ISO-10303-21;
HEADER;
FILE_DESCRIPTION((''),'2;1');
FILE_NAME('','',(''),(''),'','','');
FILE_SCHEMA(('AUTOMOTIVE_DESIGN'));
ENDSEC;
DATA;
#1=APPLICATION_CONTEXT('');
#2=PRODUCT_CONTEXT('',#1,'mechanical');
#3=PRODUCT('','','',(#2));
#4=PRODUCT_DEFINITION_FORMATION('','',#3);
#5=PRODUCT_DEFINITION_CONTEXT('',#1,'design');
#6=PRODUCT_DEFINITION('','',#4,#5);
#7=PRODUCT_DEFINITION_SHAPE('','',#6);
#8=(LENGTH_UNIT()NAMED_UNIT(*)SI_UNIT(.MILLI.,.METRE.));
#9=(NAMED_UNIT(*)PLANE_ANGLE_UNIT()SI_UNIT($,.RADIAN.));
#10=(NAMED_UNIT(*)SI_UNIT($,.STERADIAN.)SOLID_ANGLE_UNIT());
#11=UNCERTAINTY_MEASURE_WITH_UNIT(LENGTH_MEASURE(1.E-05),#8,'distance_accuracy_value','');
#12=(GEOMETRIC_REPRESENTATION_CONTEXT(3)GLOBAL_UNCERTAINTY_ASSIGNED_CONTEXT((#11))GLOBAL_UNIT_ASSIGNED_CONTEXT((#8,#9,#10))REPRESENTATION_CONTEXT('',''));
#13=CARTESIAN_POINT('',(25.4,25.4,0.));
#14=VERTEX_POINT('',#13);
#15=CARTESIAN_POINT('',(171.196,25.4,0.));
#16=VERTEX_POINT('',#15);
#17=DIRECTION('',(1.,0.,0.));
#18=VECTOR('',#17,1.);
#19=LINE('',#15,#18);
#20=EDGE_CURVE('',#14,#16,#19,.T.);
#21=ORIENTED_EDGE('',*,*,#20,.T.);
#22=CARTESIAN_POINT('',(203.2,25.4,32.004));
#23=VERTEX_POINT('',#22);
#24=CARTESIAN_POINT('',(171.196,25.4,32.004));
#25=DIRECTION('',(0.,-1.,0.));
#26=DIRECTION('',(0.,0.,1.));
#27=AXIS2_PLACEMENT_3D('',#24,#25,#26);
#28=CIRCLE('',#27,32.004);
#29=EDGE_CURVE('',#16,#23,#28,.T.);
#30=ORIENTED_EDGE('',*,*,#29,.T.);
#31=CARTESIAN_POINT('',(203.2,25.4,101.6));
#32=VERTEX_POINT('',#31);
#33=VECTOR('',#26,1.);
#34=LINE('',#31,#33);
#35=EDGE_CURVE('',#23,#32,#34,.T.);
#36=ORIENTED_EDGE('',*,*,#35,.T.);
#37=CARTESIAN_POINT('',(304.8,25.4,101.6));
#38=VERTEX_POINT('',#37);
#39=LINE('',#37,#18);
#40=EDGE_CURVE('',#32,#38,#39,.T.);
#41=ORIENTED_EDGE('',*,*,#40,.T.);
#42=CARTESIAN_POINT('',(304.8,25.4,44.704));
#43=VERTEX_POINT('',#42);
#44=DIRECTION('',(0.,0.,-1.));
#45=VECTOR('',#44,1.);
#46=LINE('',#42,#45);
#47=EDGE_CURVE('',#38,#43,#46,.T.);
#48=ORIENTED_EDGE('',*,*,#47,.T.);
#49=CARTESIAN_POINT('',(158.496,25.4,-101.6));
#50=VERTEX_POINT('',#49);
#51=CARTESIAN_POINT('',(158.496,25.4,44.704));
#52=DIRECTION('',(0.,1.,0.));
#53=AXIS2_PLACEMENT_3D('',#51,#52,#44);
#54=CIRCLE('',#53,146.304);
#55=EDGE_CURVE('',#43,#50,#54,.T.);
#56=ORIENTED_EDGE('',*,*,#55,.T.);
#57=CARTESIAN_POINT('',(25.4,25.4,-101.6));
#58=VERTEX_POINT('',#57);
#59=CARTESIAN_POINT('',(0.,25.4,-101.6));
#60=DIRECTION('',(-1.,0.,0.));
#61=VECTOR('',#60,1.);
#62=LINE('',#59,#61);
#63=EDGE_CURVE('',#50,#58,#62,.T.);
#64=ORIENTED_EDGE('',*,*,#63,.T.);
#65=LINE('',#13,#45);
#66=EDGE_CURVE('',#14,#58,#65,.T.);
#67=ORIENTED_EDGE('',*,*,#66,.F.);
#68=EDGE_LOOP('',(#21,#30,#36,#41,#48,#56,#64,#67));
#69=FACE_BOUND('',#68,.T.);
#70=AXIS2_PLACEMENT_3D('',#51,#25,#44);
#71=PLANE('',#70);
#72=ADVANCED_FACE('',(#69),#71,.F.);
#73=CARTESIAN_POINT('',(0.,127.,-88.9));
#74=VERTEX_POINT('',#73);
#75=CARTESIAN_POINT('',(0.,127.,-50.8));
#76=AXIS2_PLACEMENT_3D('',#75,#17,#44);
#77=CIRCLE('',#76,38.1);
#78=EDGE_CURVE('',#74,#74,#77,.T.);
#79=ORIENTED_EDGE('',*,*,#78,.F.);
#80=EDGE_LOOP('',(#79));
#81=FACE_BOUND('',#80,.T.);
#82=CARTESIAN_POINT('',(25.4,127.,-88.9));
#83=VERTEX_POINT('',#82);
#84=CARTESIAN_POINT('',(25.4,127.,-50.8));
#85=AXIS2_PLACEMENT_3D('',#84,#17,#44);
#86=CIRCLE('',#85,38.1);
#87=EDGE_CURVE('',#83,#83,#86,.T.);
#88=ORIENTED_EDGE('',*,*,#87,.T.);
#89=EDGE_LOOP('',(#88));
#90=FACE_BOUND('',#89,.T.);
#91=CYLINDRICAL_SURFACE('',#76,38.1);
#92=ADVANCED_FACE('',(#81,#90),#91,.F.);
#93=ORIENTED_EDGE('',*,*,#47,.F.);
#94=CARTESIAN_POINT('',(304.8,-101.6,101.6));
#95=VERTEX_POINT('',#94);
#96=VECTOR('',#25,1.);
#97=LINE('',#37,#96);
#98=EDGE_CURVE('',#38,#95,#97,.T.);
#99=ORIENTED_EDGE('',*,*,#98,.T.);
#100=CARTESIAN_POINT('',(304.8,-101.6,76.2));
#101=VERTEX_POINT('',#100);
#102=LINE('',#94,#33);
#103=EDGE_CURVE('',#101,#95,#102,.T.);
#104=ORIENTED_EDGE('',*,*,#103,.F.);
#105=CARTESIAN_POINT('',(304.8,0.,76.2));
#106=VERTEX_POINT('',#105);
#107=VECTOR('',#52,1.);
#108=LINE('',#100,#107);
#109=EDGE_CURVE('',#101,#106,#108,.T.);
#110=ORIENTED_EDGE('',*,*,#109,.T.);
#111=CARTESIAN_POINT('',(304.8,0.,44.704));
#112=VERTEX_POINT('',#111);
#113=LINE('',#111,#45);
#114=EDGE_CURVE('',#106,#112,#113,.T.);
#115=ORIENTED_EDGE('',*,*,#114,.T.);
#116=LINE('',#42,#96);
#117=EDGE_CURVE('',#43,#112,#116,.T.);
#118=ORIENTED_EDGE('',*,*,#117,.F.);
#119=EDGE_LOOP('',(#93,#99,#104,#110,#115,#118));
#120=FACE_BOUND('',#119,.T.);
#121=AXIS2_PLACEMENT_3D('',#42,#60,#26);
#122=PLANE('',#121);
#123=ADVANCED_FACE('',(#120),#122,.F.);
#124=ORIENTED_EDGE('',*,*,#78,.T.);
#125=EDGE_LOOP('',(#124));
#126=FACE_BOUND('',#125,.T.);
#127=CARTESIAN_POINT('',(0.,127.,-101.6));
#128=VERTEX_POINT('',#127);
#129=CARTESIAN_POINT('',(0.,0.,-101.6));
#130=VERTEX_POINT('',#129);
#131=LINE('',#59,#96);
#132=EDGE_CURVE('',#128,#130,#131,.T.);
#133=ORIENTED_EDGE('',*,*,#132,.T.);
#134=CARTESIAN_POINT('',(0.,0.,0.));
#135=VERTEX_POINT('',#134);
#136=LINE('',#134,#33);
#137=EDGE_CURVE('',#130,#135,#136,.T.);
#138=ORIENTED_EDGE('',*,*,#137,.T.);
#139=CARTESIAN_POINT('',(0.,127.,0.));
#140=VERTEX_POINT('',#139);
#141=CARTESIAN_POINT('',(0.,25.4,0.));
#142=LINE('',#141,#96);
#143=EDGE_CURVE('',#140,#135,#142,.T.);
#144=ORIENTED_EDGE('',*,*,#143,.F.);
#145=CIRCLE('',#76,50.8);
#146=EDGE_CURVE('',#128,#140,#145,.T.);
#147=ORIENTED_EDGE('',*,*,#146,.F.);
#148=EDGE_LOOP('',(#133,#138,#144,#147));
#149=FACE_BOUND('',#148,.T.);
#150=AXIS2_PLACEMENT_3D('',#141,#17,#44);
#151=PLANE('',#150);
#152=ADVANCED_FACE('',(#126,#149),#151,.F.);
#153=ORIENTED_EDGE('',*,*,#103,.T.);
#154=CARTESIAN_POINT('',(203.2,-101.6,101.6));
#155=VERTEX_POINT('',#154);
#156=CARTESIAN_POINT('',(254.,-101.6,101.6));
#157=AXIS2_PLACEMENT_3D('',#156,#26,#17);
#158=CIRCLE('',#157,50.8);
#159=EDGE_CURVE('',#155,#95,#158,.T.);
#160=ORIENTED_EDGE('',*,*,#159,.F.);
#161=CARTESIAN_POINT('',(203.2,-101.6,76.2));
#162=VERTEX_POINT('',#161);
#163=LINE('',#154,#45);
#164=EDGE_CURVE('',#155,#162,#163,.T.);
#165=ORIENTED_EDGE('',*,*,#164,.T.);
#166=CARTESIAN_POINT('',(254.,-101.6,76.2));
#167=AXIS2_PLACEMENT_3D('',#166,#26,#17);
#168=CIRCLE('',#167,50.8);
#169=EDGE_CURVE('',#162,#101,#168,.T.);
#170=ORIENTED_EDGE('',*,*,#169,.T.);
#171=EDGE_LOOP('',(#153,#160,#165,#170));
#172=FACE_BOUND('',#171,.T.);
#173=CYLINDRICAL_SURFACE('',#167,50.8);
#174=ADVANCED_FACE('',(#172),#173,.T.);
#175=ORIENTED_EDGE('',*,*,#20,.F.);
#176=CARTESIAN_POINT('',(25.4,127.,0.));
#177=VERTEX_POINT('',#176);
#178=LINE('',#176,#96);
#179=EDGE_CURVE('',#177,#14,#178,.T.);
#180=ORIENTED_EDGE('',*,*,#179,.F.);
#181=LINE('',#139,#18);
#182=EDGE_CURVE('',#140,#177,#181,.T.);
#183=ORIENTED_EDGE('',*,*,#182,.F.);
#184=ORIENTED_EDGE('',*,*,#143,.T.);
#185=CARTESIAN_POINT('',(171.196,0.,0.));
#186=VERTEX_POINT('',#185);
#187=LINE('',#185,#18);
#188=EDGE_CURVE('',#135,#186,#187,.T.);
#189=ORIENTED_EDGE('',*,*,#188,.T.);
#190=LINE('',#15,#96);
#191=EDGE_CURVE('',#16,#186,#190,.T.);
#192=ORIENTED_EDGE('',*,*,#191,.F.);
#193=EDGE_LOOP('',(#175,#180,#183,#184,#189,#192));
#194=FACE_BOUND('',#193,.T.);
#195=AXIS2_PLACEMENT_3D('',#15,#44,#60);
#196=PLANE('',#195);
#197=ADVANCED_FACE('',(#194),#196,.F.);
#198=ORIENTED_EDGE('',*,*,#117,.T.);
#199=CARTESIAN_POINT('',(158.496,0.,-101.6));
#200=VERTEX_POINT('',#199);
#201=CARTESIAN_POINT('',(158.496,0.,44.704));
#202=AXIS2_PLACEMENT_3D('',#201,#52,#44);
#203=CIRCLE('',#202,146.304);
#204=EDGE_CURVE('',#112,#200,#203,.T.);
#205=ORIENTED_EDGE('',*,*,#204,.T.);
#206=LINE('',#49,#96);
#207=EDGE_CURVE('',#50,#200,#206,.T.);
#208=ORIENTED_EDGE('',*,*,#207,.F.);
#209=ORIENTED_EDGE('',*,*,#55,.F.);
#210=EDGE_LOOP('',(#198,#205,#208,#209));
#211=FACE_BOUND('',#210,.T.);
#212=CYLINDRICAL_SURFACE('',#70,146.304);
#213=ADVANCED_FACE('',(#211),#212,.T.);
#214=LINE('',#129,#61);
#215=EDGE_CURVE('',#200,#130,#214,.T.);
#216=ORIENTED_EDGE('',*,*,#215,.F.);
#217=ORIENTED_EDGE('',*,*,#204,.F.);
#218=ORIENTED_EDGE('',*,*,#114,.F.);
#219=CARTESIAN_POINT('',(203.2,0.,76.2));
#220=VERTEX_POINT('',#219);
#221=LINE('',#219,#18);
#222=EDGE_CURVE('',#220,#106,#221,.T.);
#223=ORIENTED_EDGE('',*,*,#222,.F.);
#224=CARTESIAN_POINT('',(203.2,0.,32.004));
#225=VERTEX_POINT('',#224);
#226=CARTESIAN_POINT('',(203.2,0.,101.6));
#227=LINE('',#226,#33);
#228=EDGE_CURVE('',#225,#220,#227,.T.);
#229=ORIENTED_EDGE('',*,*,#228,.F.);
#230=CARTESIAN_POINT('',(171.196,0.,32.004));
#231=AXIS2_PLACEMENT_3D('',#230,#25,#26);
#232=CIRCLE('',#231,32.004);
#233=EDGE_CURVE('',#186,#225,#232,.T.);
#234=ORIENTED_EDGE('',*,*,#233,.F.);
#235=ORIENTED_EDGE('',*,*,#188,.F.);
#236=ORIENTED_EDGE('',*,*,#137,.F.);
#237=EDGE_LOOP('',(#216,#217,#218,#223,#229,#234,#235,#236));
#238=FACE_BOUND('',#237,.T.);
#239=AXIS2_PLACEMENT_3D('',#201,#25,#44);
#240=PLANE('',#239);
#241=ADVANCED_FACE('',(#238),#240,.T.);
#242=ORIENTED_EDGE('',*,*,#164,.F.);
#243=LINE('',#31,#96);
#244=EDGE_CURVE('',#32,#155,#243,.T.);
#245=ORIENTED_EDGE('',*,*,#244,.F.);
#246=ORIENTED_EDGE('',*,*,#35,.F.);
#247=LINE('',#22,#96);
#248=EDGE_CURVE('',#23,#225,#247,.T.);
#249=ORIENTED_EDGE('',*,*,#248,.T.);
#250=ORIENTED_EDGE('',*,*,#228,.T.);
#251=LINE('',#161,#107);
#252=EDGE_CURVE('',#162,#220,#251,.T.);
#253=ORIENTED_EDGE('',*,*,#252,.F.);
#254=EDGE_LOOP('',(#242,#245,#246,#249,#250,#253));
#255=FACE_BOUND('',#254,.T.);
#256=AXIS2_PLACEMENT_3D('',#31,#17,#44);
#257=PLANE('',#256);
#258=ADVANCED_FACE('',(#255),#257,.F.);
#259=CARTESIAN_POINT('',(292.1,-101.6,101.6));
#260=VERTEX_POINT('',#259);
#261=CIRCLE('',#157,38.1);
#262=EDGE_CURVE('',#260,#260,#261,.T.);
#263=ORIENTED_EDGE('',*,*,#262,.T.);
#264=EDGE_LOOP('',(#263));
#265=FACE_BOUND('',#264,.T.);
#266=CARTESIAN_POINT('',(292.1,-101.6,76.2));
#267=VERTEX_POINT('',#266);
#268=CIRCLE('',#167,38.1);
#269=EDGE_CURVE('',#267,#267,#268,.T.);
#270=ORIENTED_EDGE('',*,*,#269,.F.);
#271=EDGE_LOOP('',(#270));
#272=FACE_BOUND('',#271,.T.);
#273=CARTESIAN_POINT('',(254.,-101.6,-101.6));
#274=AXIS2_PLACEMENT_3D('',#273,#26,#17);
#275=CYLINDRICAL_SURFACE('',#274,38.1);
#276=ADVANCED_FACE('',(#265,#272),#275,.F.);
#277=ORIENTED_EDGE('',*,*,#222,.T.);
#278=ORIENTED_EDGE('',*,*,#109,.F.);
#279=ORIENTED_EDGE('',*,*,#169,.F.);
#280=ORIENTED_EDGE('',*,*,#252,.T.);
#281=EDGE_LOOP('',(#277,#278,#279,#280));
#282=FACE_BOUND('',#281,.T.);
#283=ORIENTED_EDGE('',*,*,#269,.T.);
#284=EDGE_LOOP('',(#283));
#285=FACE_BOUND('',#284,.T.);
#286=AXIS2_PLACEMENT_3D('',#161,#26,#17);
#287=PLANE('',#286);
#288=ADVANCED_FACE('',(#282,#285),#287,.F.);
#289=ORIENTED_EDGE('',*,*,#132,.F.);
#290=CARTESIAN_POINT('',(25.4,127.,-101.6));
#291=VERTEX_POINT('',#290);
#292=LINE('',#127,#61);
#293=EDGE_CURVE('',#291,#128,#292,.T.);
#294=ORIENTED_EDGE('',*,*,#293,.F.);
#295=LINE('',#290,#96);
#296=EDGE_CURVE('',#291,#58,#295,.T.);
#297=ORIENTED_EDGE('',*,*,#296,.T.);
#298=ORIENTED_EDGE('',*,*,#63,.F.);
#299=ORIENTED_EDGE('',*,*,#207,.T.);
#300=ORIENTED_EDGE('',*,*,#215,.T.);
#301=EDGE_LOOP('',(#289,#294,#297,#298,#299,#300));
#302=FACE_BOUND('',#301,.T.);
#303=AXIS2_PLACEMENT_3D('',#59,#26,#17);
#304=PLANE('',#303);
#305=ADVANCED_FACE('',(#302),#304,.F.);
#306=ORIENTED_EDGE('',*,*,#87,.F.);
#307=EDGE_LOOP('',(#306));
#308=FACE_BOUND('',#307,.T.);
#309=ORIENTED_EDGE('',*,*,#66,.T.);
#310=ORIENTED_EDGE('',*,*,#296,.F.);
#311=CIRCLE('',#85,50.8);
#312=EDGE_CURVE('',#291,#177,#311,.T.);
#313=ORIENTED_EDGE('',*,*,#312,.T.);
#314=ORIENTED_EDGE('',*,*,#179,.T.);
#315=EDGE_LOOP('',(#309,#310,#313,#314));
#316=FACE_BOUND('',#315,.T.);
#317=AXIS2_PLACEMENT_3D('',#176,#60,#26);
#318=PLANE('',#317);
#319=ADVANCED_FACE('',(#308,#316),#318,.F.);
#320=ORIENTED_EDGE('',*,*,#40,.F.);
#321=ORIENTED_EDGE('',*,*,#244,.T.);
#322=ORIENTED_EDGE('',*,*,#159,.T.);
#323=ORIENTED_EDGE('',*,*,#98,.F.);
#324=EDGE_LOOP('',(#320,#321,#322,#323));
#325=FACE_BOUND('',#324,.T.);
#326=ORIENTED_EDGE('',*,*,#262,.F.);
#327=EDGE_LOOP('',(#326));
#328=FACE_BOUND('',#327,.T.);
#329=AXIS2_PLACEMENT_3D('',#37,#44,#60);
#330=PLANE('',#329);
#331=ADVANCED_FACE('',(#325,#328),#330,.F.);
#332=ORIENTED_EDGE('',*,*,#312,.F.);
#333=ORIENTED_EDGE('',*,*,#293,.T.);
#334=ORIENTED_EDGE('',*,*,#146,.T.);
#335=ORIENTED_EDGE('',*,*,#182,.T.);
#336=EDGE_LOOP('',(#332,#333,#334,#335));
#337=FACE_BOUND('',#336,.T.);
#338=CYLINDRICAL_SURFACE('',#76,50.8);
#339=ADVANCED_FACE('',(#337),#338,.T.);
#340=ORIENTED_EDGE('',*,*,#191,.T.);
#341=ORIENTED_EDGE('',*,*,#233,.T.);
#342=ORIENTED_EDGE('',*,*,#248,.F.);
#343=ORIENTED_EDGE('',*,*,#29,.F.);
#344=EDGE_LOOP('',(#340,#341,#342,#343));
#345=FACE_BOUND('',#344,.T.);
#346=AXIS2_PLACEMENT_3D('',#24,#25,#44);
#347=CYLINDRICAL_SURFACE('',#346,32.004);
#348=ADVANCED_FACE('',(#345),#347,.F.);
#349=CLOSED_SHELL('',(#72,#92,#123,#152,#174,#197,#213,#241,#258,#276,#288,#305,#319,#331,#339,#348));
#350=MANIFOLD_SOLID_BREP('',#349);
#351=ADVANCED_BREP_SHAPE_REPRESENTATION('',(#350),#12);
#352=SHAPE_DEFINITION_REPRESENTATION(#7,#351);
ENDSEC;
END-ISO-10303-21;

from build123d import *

# Parameters (mm, degrees)
SALIENTE_EXTRUIR1_DEPTH = 25.4
CROQUIS2_W              = 101.6
CROQUIS2_H              = 25.4
SALIENTE_EXTRUIR2_DEPTH = 101.6
CROQUIS3_R              = 50.8
SALIENTE_EXTRUIR3_DEPTH = 25.4
CROQUIS4_R              = 38.1
CORTAR_EXTRUIR1_DEPTH   = 204.2
CROQUIS5_W              = 25.4
CROQUIS5_H              = 101.6
SALIENTE_EXTRUIR4_DEPTH = 101.6
CROQUIS6_R              = 50.8
SALIENTE_EXTRUIR5_DEPTH = 25.4
CROQUIS7_R              = 38.1
CORTAR_EXTRUIR3_DEPTH   = 26.4


with BuildPart() as part:
    # Croquis1 → Saliente-Extruir1 (new body)
    with BuildSketch(Plane(origin=(0, 0, 0), x_dir=(1, 0, 0), z_dir=(0, 1, 0))):
        with BuildLine():
            Line((0, 0), (0, 101.6))
            Line((0, 101.6), (158.496, 101.6))
            ThreePointArc((158.496, 101.6), (261.948550515, 58.748550515), (304.8, -44.704))
            Line((304.8, -44.704), (304.8, -101.6))
            Line((304.8, -101.6), (203.2, -101.6))
            Line((203.2, -101.6), (203.2, -32.004))
            ThreePointArc((203.2, -32.004), (193.826245425, -9.373754575), (171.196, 0))
            Line((171.196, 0), (0, 0))
        make_face()
    extrude(amount=SALIENTE_EXTRUIR1_DEPTH)

    # Croquis2 → Saliente-Extruir2 (add)
    with BuildSketch(Plane.XZ):
        with Locations((254, 88.9)):
            Rectangle(CROQUIS2_W, CROQUIS2_H)
    extrude(amount=SALIENTE_EXTRUIR2_DEPTH)

    # Croquis3 → Saliente-Extruir3 (add)
    with BuildSketch(Plane.XY.offset(101.6)):
        with Locations((254, -101.6)):
            Circle(CROQUIS3_R)
    extrude(amount=-SALIENTE_EXTRUIR3_DEPTH)

    # Croquis4 → Cortar-Extruir1 (cut, through all)
    with BuildSketch(Plane.XY.offset(101.6)):
        with Locations((254, -101.6)):
            Circle(CROQUIS4_R)
    extrude(amount=-CORTAR_EXTRUIR1_DEPTH, mode=Mode.SUBTRACT)

    # Croquis5 → Saliente-Extruir4 (add)
    with BuildSketch(Plane(origin=(0, 25.4, 0), x_dir=(1, 0, 0), z_dir=(0, 1, 0))):
        with Locations((12.7, 50.8)):
            Rectangle(CROQUIS5_W, CROQUIS5_H)
    extrude(amount=SALIENTE_EXTRUIR4_DEPTH)

    # Croquis6 → Saliente-Extruir5 (add)
    with BuildSketch(Plane(origin=(25.4, 0, 0), x_dir=(0, 0, -1), z_dir=(1, 0, 0))):
        with Locations((50.8, 127)):
            Circle(CROQUIS6_R)
    extrude(amount=-SALIENTE_EXTRUIR5_DEPTH)

    # Croquis7 → Cortar-Extruir3 (cut, through all)
    with BuildSketch(Plane(origin=(25.4, 0, 0), x_dir=(0, 0, -1), z_dir=(1, 0, 0))):
        with Locations((50.8, 127)):
            Circle(CROQUIS7_R)
    extrude(amount=-CORTAR_EXTRUIR3_DEPTH, mode=Mode.SUBTRACT)


solid = part.part
